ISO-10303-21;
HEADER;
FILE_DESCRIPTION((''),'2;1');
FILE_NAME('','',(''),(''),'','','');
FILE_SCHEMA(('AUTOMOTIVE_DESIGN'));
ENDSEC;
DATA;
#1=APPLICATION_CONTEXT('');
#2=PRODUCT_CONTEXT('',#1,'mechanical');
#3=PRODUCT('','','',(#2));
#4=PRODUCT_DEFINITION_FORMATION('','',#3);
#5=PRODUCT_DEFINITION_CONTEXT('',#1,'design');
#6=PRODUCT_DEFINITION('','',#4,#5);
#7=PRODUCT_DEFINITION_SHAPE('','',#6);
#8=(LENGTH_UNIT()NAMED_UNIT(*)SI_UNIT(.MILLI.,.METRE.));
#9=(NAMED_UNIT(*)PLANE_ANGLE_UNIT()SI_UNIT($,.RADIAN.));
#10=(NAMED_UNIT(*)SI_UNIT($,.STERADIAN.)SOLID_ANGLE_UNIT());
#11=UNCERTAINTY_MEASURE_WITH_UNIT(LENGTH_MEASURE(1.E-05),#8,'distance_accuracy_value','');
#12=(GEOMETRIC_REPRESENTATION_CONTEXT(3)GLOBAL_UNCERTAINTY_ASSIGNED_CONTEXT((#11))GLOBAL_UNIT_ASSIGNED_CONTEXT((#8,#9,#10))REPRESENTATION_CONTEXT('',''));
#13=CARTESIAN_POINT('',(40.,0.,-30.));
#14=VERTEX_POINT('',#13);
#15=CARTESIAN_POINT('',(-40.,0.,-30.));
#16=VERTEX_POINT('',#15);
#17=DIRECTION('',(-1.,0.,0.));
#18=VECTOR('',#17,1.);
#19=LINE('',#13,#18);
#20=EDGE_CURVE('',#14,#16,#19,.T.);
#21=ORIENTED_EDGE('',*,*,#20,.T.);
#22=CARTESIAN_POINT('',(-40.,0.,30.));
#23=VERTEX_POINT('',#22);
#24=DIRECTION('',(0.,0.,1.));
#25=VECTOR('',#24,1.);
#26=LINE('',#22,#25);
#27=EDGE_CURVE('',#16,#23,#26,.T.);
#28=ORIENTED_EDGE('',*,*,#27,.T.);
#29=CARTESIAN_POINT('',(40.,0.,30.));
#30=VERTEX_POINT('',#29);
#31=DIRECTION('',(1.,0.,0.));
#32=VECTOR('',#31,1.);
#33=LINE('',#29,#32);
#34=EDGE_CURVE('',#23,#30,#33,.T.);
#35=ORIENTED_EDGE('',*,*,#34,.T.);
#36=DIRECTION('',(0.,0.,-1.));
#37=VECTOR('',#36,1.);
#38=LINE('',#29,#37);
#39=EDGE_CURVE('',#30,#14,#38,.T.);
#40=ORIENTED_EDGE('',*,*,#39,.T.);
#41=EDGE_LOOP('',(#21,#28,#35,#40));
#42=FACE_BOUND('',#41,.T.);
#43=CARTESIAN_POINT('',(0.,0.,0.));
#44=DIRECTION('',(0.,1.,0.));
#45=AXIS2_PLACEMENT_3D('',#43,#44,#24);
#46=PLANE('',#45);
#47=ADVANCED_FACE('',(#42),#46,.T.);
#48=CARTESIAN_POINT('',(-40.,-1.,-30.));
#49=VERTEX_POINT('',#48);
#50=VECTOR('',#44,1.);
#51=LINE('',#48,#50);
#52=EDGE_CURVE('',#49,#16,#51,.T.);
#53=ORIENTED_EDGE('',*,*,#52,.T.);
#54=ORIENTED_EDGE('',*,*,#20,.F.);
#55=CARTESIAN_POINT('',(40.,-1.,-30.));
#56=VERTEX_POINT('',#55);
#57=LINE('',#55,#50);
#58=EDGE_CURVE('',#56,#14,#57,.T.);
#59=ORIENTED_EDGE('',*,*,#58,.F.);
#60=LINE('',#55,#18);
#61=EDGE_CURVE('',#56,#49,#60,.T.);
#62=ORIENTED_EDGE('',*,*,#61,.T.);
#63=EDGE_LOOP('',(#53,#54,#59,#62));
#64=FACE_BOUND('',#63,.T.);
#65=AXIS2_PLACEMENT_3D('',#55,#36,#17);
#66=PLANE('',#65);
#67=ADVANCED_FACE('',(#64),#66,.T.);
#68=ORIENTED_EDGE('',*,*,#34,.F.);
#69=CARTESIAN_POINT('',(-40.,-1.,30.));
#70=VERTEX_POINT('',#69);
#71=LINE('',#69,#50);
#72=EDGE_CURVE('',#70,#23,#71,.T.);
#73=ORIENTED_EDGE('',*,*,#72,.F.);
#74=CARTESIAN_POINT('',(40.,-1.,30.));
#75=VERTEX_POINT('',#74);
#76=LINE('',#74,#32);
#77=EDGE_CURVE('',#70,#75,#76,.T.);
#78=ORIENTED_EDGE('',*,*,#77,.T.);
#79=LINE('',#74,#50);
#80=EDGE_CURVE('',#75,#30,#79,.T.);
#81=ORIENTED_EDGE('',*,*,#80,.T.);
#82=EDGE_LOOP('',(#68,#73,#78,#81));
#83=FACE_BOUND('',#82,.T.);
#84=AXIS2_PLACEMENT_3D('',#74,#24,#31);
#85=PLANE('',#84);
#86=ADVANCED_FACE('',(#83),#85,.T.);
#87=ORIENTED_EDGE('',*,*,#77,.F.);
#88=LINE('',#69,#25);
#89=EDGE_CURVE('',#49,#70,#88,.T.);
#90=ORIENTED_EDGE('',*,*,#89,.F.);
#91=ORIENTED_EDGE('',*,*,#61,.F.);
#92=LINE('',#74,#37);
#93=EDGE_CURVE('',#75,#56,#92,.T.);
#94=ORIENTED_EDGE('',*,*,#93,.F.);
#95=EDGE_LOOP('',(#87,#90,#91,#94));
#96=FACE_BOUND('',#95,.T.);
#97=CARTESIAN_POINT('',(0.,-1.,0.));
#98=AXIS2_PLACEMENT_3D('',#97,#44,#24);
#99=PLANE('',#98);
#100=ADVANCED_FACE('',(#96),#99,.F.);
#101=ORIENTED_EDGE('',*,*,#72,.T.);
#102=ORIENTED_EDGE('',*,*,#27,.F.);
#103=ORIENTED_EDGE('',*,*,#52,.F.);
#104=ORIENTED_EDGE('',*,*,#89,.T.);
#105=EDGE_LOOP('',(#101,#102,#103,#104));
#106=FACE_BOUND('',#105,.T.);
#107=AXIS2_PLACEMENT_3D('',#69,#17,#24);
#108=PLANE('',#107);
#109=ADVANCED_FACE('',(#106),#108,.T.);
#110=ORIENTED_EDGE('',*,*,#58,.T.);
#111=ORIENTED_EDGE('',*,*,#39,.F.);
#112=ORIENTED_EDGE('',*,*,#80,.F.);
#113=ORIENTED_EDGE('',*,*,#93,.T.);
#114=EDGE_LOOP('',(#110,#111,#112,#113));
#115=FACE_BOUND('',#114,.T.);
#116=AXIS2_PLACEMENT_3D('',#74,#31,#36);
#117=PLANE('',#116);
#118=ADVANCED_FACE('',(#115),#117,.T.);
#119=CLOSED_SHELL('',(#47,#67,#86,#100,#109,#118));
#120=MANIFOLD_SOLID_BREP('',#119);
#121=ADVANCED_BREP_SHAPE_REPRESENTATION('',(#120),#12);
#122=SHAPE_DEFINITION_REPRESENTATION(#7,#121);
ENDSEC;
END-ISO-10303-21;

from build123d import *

# Parameters (mm, degrees)
SKETCH1_W           = 80
SKETCH1_H           = 60
BOSS_EXTRUDE1_DEPTH = 1


with BuildPart() as part:
    # Sketch1 → Boss-Extrude1 (new body)
    with BuildSketch(Plane(origin=(0, 0, 0), x_dir=(1, 0, 0), z_dir=(0, 1, 0))):
        Rectangle(SKETCH1_W, SKETCH1_H)
    extrude(amount=-BOSS_EXTRUDE1_DEPTH)


solid = part.part
